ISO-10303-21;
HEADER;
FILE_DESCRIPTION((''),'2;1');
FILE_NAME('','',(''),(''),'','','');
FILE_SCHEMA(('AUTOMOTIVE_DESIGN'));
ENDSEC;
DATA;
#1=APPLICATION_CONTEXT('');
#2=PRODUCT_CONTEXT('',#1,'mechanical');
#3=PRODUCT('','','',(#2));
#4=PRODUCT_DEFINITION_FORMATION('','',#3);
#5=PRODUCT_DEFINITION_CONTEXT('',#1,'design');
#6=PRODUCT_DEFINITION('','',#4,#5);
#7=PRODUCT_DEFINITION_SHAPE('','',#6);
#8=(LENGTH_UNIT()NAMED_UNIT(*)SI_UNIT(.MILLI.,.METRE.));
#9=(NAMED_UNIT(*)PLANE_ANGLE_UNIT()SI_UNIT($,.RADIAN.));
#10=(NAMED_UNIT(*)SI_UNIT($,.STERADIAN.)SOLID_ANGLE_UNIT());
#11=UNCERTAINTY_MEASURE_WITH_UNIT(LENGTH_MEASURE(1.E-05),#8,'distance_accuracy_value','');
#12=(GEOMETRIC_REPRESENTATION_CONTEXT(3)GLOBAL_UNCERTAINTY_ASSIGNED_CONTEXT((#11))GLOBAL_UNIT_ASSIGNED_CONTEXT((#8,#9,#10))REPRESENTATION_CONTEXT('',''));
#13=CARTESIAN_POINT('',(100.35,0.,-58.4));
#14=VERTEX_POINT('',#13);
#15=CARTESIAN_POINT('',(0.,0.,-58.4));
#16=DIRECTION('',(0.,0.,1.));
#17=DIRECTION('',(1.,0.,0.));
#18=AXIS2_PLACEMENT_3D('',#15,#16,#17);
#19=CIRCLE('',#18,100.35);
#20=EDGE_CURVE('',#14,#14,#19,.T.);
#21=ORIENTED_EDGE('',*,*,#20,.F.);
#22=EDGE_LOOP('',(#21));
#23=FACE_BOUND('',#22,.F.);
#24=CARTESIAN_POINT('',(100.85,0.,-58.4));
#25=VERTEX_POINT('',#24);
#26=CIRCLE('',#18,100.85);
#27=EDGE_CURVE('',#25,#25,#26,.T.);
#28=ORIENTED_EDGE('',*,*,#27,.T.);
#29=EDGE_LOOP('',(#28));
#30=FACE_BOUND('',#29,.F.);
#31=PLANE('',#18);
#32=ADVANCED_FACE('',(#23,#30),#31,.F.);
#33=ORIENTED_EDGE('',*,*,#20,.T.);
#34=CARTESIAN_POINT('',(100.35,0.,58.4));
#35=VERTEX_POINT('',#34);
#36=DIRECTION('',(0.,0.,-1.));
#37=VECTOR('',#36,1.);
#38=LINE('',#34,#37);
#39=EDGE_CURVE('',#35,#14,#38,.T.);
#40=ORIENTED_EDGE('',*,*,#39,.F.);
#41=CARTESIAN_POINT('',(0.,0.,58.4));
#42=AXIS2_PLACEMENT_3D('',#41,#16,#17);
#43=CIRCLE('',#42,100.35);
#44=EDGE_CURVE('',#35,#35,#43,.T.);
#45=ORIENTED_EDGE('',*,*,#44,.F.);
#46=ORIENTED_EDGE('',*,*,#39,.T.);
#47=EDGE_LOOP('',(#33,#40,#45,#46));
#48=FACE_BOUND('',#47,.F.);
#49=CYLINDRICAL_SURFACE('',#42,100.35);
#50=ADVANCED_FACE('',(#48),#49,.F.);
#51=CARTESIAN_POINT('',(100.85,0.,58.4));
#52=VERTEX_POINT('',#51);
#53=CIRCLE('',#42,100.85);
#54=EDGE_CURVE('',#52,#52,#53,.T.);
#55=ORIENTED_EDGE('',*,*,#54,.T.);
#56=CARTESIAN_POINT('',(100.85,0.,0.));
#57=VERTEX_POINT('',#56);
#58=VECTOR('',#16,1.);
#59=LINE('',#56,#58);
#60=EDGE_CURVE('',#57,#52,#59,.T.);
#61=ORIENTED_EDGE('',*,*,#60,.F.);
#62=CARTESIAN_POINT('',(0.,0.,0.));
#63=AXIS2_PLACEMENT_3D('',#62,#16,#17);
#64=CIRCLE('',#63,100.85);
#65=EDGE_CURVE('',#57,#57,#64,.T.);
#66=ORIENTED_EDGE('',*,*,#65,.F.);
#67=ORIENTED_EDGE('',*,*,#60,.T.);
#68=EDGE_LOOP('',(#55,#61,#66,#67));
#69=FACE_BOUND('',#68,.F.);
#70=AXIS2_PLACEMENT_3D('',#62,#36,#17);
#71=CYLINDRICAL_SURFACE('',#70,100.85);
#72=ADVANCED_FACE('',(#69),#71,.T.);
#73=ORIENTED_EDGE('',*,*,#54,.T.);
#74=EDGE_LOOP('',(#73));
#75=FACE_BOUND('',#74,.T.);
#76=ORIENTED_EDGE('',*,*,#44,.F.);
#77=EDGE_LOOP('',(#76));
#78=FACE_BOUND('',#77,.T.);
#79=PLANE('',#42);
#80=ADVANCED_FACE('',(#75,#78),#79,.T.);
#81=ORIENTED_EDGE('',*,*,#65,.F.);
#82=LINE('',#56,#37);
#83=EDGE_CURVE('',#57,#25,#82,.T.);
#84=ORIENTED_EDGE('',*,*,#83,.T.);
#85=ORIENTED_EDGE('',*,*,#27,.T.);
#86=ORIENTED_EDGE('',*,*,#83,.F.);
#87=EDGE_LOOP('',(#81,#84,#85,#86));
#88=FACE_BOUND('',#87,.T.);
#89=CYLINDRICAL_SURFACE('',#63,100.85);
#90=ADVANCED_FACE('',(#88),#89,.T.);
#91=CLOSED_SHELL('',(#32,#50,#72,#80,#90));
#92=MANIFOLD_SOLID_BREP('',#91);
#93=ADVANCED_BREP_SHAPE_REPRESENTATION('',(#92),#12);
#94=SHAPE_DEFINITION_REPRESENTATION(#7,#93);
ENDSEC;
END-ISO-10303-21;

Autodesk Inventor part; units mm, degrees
ref_plane "YZ Plane" through (0, 0, 0) normal (1, 0, 0) x (0, 1, 0)
ref_plane "XZ Plane" through (0, 0, 0) normal (0, 1, 0) x (-1, 0, 0)
ref_plane "XY Plane" through (0, 0, 0) normal (0, 0, 1) x (1, 0, 0)
sketch "Sketch1" plane through (0, 0, 0) normal (0, 0, 1) x (1, 0, 0)
  circle A0 centre (0, 0) radius 100.85
  dimension "d0" = 201.7
extrude "Extrusion1" add sketch "Sketch1" along normal mid plane 116.8
sketch "Sketch2" plane through (0, 0, 58.4) normal (0, 0, 1) x (1, 0, 0)
  circle A0 centre (0, 0) radius 100.35
  dimension "d3" = 200.7
extrude "Extrusion2" cut sketch "Sketch2" against normal through all
properties part number "ALPHA-II-CT_10"
